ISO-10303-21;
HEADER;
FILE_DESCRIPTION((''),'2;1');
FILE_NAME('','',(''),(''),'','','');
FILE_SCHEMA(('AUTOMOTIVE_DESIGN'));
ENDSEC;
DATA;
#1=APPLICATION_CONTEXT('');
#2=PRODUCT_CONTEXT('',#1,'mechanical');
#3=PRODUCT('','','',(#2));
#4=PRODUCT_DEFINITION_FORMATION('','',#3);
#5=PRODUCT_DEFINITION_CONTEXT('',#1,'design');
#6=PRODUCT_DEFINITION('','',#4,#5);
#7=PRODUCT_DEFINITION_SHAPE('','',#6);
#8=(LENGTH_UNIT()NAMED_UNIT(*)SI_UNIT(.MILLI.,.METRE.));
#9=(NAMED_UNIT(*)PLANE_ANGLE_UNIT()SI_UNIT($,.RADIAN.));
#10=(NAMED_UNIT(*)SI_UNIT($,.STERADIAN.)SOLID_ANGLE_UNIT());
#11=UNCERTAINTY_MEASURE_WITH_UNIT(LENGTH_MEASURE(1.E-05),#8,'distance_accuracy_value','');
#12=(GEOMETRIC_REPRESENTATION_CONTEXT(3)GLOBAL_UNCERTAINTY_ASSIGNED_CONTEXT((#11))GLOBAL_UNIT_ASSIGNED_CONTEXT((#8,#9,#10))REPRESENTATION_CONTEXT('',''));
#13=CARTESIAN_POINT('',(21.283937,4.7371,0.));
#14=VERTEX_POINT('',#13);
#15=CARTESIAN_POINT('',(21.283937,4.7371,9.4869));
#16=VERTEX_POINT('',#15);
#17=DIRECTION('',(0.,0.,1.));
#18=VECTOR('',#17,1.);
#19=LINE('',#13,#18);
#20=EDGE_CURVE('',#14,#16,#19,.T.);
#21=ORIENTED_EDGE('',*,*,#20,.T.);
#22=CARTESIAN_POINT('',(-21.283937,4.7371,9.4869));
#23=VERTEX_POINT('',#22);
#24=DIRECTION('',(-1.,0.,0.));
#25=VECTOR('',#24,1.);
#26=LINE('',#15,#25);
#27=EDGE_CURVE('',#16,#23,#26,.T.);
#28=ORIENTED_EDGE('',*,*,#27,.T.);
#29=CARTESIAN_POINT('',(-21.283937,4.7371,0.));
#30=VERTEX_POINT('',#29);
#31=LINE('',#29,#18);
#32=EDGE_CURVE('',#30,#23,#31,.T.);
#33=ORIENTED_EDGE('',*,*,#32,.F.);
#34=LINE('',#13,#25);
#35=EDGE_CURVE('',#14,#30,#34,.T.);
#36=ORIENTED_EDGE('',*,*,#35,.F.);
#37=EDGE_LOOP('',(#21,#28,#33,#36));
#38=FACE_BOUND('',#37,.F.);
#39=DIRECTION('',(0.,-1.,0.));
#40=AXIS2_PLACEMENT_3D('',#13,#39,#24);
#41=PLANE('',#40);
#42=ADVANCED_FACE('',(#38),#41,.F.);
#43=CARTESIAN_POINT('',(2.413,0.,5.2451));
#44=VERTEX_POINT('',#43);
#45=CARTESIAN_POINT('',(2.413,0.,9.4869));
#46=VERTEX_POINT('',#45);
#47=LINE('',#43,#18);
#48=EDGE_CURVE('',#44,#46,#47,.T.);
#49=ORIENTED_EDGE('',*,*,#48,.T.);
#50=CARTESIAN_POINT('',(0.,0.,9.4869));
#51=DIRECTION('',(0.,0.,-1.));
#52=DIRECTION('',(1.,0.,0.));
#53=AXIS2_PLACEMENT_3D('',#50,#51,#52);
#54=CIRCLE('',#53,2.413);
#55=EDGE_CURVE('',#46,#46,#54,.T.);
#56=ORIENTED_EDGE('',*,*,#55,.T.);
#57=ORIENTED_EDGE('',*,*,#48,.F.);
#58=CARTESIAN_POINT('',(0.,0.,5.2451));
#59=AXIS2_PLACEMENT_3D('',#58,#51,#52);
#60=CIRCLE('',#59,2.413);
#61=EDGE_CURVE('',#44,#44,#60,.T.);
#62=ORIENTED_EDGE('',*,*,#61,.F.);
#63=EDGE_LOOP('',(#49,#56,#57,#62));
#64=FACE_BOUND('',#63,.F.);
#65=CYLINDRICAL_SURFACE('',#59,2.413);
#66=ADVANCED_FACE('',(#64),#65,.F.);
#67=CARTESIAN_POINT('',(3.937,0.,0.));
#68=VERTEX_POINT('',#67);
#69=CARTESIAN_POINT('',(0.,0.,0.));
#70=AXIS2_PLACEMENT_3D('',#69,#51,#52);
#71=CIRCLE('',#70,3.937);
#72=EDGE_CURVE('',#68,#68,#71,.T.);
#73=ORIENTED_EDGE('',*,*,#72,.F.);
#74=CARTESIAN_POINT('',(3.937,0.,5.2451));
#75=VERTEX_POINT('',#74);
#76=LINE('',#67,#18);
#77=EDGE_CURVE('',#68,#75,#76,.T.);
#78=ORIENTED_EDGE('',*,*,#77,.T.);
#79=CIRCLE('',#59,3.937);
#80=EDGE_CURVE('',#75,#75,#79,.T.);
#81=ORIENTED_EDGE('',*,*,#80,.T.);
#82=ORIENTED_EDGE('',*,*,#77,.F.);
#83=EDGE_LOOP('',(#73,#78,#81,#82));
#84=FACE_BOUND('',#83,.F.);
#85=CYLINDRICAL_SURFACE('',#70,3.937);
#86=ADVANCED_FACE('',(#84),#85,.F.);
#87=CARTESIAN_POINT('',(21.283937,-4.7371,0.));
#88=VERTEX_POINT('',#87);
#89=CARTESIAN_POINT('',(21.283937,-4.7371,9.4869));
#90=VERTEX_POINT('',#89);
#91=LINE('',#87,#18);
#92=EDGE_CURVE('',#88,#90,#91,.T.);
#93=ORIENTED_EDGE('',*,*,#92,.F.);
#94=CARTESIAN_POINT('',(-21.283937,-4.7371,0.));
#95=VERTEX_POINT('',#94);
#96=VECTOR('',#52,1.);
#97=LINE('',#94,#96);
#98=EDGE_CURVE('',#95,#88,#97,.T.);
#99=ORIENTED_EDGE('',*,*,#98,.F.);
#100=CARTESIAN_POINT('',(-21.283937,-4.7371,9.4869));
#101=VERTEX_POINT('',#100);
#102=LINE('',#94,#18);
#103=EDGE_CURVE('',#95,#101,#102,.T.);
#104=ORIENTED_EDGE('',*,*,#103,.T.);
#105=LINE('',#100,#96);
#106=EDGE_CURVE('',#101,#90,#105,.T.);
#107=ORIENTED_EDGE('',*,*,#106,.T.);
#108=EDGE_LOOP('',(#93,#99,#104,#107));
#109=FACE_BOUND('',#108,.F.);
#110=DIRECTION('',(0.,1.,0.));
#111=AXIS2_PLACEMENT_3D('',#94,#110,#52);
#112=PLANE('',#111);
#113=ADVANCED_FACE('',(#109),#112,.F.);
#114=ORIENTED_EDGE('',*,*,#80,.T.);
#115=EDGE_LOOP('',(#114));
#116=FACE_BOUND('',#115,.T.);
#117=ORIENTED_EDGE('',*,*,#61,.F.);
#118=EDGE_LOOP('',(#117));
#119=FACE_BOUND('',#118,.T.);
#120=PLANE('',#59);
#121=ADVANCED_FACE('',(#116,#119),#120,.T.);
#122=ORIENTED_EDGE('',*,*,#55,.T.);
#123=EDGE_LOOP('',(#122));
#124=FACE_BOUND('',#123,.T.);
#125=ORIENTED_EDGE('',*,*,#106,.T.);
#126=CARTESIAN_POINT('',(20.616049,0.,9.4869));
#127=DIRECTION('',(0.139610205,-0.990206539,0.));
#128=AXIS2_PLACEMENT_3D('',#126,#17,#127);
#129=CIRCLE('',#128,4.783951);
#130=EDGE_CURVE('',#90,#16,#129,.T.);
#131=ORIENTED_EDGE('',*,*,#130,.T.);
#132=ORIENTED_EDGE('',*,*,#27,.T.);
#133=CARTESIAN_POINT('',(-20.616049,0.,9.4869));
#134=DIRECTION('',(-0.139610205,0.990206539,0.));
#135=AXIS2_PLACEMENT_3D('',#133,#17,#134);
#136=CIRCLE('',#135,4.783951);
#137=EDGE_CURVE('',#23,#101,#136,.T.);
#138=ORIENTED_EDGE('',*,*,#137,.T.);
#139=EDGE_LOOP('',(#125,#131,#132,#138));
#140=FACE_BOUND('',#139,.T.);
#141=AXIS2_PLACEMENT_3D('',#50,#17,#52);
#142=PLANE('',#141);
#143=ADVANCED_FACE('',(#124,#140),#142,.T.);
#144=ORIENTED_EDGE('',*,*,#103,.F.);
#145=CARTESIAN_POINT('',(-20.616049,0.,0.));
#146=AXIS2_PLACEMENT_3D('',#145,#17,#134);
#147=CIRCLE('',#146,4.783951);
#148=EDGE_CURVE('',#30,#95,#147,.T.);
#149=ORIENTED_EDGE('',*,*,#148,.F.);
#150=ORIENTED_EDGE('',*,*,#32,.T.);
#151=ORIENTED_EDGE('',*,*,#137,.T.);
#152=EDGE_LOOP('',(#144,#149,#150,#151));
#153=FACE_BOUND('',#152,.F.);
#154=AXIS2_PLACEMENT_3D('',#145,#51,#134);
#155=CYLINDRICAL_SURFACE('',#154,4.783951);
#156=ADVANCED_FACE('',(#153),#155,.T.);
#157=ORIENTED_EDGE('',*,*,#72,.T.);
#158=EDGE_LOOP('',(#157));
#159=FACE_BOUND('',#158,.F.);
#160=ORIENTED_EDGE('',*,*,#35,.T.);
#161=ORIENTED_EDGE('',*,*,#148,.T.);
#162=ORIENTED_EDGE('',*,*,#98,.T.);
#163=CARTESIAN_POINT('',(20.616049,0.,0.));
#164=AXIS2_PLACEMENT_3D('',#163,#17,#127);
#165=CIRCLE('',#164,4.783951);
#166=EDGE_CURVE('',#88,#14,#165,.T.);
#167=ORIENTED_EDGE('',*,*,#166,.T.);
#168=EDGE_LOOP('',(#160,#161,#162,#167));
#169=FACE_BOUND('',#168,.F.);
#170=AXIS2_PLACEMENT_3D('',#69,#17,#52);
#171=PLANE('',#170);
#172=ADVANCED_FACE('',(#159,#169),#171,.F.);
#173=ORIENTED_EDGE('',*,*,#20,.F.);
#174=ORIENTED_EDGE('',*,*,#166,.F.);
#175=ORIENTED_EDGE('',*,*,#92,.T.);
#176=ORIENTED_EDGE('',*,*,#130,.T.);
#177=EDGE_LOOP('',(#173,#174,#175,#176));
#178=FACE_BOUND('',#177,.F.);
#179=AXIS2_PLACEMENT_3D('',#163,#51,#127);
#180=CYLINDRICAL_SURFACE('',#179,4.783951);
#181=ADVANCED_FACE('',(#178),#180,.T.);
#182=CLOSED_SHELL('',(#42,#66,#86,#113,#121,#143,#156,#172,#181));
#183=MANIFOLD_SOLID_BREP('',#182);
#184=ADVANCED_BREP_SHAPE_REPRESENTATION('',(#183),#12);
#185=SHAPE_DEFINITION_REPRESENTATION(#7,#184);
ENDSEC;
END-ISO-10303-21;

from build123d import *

# Parameters (mm, degrees)
F1_DEPTH = 9.4869
F2_R     = 3.937
F3_DEPTH = 5.2451
F4_R     = 2.413
F5_DEPTH = 4.2428


with BuildPart() as f1:
    # F0 (on Top) → F1 (new body)
    with BuildSketch(Plane.XY):
        with BuildLine():
            Line((21.283937, 4.7371), (-21.283937, 4.7371))
            ThreePointArc((-21.283937, 4.7371), (-25.4, 0), (-21.283937, -4.7371))
            Line((-21.283937, -4.7371), (21.283937, -4.7371))
            ThreePointArc((21.283937, -4.7371), (25.4, 0), (21.283937, 4.7371))
        make_face()
    extrude(amount=F1_DEPTH)

    # F2 (on face) → F3 (cut)
    with BuildSketch(Plane(origin=(0, 0, 0), x_dir=(1, 0, 0), z_dir=(0, 0, -1))):
        Circle(F2_R)
    extrude(amount=-F3_DEPTH, mode=Mode.SUBTRACT)

    # F4 (on face) → F5 (cut, through all)
    with BuildSketch(Plane(origin=(0, 0, 5.2451), x_dir=(1, 0, 0), z_dir=(0, 0, -1))):
        Circle(F4_R)
    extrude(amount=-F5_DEPTH, mode=Mode.SUBTRACT)


solid = f1.part
